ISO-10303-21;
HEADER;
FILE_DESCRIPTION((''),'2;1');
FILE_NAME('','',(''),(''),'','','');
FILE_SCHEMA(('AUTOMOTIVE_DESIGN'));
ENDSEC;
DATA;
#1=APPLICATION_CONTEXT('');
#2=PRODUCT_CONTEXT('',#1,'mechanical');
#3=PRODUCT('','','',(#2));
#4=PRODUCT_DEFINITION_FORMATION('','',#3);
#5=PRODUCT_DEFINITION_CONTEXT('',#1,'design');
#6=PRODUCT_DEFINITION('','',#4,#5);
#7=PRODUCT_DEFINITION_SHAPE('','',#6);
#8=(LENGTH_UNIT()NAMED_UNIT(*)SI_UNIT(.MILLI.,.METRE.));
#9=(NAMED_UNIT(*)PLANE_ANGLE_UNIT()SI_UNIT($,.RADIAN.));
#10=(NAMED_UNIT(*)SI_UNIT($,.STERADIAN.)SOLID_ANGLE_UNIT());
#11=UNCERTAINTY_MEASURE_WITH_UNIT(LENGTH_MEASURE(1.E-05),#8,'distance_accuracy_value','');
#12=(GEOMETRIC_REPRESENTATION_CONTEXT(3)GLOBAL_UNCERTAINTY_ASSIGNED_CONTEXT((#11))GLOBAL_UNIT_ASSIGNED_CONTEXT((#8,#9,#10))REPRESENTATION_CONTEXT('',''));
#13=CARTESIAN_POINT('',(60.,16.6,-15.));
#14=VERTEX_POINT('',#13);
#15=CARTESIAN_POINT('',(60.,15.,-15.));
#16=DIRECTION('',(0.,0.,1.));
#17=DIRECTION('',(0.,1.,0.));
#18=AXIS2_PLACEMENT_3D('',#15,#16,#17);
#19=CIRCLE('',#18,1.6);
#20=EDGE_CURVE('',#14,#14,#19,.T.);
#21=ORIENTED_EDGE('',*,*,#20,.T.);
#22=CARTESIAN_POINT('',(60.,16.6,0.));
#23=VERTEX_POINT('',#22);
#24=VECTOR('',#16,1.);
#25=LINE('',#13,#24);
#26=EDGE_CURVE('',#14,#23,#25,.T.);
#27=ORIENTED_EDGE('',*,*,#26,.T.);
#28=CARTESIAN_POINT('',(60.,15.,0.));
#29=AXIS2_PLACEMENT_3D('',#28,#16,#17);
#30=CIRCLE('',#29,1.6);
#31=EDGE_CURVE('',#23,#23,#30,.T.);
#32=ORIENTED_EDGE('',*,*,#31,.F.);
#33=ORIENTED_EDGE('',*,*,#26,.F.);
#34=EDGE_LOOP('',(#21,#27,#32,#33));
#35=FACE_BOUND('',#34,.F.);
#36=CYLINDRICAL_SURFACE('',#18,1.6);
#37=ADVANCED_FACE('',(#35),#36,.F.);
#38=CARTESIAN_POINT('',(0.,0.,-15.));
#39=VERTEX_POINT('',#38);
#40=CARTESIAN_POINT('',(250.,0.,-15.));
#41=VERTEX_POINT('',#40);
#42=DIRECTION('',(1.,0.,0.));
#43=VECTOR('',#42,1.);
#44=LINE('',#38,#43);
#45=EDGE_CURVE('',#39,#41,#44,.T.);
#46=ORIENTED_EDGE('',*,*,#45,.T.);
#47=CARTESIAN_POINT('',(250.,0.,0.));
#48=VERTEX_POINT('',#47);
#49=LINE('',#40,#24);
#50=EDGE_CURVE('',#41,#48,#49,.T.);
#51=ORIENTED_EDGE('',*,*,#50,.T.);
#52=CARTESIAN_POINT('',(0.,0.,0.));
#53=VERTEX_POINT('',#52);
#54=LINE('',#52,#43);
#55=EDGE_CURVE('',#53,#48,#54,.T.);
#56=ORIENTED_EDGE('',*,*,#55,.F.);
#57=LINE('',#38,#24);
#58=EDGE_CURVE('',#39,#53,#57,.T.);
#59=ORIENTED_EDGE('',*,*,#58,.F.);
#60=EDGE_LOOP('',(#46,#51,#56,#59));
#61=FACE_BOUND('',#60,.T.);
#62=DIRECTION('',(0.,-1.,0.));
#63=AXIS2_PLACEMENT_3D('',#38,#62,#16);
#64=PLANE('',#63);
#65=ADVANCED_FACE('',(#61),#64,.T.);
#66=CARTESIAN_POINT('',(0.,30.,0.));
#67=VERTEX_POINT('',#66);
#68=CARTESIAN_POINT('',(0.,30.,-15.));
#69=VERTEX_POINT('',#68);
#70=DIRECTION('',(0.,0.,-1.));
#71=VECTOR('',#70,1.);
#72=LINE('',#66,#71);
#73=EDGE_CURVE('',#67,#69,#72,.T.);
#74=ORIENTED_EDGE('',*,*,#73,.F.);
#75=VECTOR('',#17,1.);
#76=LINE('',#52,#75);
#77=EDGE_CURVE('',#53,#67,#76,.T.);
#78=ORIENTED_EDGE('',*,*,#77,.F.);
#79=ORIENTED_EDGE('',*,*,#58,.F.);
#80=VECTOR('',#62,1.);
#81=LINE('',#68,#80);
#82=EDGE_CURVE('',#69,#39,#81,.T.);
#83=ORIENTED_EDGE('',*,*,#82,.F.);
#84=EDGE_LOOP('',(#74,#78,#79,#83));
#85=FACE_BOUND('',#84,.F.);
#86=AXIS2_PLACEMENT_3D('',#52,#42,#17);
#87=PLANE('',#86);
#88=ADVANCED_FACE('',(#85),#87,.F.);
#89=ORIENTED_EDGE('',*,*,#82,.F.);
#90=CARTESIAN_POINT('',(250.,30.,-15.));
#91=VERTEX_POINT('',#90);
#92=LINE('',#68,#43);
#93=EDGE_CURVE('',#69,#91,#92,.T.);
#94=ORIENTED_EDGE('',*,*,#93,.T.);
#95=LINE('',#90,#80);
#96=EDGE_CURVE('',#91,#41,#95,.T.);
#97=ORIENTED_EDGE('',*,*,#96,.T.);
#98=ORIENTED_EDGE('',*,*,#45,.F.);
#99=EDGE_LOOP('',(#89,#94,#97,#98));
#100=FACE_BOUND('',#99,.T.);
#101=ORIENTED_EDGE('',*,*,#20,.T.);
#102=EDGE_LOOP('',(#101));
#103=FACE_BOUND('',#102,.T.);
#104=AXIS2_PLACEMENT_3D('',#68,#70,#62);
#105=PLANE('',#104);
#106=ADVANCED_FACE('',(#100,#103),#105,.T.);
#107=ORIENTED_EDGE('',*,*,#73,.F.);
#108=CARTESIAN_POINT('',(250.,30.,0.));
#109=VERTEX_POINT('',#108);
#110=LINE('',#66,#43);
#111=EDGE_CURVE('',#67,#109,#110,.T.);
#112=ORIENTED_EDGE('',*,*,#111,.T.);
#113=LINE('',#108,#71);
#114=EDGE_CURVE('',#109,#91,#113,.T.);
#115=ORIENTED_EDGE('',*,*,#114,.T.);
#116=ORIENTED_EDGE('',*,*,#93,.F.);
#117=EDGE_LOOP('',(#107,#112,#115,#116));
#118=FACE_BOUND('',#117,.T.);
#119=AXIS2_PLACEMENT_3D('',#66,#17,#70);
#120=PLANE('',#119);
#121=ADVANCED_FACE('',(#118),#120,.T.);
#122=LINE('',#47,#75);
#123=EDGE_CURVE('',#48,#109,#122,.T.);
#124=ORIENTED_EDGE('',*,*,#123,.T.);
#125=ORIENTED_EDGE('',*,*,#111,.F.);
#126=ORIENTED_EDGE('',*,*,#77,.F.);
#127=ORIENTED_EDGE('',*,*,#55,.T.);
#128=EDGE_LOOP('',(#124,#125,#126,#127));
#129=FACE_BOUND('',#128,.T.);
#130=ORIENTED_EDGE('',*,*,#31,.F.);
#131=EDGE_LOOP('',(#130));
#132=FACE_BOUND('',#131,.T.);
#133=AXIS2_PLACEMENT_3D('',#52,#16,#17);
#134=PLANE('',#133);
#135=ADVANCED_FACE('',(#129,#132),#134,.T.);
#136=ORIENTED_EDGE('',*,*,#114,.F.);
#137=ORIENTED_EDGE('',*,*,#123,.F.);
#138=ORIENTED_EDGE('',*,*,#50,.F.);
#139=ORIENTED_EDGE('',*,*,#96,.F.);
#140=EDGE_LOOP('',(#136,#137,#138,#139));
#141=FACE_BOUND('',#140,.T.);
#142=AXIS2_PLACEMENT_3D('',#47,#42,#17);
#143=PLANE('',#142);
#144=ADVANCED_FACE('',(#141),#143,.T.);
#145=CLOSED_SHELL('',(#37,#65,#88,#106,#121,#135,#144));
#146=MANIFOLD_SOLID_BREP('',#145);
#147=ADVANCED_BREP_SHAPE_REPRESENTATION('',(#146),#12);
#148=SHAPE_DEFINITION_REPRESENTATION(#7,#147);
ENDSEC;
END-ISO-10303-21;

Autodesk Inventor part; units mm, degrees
ref_plane "YZ Plane" through (0, 0, 0) normal (1, 0, 0) x (0, 1, 0)
ref_plane "XZ Plane" through (0, 0, 0) normal (0, 1, 0) x (-1, 0, 0)
ref_plane "XY Plane" through (0, 0, 0) normal (0, 0, 1) x (1, 0, 0)
sketch "スケッチ1" plane through (0, 0, 0) normal (1, 0, 0) x (0, 1, 0)
  line L0 (0, 0) -> (30, 0)
  line L1 (30, 0) -> (30, -15)
  line L2 (30, -15) -> (0, -15)
  line L3 (0, -15) -> (0, 0)
  dimension "d0" = 30
  dimension "d1" = 15
extrude "押し出し1" add sketch "スケッチ1" along normal blind 250
sketch "スケッチ2" plane through (0, 0, -15) normal (0, 0, -1) x (-1, 0, 0)
  circle A0 centre (-60, 15) radius 1.6
  line L0 (0, 30) -> (-250, 30) projected
  line L1 (-250, 0) -> (-250, 30) projected
  point P0 (0, 0)
  dimension "d4" = 3.2
  dimension "d5" = 15
  dimension "d6" = 190
hole "穴1" at (60, 15, -15) direction (0, 0, 1) diameter 3.2 end through all
properties part number "NHK_t0_10"
